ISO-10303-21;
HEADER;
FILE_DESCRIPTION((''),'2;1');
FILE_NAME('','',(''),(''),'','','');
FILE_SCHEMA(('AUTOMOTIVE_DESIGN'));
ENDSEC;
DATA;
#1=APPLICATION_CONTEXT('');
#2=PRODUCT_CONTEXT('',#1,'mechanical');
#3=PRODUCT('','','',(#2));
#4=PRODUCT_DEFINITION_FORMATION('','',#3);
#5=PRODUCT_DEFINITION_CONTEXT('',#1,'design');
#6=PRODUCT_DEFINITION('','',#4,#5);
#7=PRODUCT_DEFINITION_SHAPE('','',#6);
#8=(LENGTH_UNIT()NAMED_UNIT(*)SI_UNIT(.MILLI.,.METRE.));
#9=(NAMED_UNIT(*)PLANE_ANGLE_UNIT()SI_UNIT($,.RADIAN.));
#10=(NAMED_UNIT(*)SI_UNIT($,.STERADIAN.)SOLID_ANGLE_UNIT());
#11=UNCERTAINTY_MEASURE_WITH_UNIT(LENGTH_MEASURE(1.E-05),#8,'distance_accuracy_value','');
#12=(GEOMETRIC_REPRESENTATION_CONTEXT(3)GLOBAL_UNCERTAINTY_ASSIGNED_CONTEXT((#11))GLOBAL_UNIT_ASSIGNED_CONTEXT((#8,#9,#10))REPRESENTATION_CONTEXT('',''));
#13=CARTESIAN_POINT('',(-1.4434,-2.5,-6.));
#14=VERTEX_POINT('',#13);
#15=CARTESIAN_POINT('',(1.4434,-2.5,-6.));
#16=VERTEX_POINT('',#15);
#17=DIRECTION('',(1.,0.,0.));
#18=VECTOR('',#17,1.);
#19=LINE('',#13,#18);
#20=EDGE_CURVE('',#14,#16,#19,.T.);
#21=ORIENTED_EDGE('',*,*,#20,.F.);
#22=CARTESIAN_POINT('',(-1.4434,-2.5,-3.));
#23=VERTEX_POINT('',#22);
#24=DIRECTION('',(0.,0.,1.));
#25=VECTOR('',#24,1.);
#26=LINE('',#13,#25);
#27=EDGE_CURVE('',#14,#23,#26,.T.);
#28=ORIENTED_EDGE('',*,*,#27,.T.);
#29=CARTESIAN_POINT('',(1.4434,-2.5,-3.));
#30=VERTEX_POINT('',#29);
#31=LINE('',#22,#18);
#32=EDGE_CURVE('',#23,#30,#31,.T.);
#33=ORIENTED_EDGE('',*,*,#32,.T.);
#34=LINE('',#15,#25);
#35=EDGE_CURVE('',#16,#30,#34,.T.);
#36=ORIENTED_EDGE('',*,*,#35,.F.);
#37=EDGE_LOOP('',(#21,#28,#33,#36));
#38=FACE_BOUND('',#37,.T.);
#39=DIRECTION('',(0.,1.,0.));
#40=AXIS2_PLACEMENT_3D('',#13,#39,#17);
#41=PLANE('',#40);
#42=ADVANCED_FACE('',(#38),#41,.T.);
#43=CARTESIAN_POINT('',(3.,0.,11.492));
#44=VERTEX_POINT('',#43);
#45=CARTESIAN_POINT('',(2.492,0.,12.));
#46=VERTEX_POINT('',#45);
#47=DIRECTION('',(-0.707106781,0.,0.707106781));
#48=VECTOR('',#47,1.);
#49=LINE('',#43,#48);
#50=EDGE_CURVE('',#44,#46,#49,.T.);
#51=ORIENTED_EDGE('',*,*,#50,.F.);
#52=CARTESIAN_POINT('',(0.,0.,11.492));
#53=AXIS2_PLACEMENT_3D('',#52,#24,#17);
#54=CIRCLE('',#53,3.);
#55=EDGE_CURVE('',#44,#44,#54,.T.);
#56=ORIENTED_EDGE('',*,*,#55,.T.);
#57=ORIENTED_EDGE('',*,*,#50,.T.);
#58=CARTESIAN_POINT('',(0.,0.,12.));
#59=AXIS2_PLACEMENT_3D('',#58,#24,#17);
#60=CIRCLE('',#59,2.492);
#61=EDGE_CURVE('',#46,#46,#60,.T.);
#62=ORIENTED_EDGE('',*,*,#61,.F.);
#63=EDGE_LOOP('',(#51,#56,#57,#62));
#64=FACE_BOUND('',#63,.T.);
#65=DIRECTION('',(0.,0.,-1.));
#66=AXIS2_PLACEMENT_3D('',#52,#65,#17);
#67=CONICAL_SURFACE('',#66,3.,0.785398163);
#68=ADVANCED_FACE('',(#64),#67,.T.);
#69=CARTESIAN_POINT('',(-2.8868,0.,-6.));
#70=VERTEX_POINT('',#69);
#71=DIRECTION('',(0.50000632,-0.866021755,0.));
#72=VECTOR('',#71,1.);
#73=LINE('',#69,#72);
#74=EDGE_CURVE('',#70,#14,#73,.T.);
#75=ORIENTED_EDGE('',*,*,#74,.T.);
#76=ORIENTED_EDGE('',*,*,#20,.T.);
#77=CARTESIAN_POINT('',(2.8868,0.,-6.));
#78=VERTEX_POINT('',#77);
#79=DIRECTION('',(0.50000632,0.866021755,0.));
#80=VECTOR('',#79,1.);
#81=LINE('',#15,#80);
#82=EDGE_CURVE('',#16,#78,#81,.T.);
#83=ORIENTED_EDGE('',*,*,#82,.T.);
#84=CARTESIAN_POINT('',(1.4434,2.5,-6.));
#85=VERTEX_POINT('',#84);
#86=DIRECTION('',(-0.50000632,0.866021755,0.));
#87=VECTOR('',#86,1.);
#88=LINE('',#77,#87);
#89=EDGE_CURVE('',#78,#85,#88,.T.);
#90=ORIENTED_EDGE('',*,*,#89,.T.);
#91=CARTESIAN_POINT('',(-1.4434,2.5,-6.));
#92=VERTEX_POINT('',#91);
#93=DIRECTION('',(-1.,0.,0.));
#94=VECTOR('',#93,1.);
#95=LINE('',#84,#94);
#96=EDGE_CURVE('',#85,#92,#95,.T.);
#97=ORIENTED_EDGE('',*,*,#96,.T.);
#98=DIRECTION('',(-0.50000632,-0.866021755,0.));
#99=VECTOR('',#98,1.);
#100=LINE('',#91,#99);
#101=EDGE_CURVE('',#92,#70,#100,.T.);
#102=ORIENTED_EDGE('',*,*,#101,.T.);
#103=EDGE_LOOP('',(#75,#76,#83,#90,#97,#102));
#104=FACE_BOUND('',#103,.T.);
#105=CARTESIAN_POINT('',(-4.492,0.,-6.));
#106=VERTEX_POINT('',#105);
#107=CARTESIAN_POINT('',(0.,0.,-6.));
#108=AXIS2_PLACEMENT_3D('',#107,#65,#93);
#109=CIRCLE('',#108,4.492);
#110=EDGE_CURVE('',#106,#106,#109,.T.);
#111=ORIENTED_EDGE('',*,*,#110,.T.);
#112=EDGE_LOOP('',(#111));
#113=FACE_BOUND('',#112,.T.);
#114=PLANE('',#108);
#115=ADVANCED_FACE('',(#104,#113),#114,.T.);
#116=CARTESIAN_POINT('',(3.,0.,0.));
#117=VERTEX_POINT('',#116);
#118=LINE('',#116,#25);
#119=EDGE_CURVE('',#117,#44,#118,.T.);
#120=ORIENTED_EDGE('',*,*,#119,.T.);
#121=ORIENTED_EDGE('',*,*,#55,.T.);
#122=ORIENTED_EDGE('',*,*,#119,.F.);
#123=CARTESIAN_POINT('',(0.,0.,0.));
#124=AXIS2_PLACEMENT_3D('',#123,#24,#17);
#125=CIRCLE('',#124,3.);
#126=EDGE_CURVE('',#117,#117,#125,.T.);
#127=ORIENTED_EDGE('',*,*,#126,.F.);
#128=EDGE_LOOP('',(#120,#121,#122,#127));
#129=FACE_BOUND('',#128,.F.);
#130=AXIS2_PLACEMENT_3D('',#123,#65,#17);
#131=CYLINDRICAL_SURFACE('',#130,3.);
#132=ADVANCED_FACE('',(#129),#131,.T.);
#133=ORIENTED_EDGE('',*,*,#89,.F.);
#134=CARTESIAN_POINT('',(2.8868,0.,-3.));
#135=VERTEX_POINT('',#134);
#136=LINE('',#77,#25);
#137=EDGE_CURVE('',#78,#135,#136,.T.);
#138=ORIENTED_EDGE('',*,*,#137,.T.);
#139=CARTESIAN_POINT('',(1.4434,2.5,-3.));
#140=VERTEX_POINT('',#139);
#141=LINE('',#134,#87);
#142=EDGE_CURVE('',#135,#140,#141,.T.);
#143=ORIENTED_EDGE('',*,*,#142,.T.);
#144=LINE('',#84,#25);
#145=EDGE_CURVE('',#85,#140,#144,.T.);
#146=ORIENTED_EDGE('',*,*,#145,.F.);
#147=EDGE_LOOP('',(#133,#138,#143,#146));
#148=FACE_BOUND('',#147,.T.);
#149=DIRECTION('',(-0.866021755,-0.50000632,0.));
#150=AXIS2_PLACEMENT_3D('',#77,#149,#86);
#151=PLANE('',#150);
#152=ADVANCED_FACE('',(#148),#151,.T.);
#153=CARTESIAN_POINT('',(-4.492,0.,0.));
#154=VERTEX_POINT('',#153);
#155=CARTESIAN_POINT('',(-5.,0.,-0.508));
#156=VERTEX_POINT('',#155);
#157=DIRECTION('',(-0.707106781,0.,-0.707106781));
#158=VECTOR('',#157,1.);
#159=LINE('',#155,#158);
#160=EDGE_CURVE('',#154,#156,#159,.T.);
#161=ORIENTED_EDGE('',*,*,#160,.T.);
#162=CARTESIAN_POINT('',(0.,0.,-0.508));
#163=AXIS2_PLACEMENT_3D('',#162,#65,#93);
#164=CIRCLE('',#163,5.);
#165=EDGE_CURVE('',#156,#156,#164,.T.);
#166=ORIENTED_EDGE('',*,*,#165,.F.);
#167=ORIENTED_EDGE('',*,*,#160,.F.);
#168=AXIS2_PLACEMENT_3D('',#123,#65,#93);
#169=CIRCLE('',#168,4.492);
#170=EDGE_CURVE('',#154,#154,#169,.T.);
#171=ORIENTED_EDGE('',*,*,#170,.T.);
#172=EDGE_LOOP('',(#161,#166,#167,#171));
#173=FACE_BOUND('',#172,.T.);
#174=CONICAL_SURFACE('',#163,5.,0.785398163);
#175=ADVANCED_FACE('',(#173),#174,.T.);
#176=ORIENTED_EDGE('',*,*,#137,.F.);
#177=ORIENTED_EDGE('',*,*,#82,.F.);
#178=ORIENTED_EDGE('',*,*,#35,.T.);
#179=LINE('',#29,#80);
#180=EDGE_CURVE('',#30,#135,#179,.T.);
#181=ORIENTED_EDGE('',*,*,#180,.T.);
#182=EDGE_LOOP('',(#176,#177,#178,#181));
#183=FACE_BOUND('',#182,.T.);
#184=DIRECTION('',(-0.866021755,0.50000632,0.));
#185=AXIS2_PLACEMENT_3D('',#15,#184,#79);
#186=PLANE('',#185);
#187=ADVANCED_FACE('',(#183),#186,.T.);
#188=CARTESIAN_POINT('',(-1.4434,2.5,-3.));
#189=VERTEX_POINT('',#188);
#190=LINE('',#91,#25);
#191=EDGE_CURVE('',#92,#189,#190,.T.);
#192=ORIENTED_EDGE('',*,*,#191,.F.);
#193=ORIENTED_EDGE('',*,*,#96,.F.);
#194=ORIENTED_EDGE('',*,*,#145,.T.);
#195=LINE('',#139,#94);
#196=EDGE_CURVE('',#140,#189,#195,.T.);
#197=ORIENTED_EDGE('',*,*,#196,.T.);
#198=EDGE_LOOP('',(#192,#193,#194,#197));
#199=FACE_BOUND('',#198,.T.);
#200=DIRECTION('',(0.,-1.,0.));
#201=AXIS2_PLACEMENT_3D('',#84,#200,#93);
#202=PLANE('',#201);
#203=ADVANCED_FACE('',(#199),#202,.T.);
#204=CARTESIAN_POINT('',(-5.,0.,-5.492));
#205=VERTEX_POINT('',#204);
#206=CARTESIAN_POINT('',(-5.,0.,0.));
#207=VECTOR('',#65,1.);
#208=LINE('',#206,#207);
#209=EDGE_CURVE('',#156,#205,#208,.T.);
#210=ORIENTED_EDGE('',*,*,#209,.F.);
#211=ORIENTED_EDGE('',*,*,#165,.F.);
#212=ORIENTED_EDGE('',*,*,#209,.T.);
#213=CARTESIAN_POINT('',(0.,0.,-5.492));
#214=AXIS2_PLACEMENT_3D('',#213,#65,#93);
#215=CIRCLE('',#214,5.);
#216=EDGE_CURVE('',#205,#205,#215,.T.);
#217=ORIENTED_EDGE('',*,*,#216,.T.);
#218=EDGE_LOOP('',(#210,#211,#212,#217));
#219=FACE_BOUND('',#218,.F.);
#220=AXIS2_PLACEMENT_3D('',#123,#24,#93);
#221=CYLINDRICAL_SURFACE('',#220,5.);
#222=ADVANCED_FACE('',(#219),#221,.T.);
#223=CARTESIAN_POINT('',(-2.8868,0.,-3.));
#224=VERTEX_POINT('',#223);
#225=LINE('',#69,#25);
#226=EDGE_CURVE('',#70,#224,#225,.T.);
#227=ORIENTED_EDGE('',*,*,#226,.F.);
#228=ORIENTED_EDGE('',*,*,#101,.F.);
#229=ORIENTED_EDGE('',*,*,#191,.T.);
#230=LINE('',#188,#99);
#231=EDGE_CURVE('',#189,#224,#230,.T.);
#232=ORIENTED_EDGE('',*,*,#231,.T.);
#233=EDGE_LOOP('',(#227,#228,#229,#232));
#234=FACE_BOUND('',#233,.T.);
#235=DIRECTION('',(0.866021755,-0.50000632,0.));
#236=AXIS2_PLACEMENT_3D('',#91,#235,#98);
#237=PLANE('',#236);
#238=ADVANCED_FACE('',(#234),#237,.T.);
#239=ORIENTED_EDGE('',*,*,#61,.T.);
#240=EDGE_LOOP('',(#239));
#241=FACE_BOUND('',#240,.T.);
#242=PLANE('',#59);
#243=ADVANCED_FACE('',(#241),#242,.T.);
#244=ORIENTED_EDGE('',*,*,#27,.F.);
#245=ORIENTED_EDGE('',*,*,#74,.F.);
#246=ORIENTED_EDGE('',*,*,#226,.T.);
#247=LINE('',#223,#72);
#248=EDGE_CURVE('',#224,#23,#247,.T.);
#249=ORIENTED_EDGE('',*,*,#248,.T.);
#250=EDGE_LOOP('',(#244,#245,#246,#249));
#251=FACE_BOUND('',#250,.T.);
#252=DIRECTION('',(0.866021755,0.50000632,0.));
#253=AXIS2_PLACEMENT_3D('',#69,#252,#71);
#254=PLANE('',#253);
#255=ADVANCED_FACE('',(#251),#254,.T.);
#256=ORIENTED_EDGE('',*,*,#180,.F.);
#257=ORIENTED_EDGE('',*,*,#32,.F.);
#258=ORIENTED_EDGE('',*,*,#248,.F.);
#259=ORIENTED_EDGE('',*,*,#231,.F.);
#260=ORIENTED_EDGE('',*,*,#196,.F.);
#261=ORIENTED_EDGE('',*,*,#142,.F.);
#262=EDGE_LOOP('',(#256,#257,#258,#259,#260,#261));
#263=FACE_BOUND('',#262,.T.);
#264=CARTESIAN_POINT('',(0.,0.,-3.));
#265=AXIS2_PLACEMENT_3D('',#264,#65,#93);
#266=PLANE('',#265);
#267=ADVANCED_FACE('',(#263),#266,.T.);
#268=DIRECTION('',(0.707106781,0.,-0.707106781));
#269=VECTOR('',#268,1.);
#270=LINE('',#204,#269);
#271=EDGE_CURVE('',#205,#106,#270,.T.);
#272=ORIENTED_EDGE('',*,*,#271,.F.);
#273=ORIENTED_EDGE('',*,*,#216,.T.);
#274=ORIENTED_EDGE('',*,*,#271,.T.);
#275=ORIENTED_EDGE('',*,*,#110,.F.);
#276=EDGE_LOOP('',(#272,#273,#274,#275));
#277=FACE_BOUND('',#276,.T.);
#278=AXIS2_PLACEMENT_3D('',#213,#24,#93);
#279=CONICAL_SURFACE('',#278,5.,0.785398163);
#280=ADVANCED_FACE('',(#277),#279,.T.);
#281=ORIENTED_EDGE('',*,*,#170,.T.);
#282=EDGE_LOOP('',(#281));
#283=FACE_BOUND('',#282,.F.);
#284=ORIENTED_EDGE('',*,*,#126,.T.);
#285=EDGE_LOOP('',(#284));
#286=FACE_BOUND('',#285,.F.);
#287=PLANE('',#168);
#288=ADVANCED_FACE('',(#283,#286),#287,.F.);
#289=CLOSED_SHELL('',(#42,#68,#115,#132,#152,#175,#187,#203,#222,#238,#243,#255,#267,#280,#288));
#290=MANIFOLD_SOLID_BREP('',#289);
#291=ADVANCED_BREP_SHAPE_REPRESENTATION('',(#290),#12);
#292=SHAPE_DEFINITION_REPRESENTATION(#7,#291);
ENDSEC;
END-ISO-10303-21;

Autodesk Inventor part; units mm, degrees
ref_plane "YZ Plane" through (0, 0, 0) normal (1, 0, 0) x (0, 1, 0)
ref_plane "XZ Plane" through (0, 0, 0) normal (0, 1, 0) x (-1, 0, 0)
ref_plane "XY Plane" through (0, 0, 0) normal (0, 0, 1) x (1, 0, 0)
sketch "Sketch1" plane through (0, 0, 0) normal (0, 0, 1) x (1, 0, 0)
  circle A0 centre (0, 0) radius 3
  dimension "d0" = 6
extrude "Extrusion1" add sketch "Sketch1" along normal blind 12
sketch "Sketch2" plane through (0, 0, 0) normal (0, 0, -1) x (-1, 0, 0)
  circle A0 centre (0, 0) radius 3 projected
  circle A1 centre (0, 0) radius 5
  dimension "d3" = 10
extrude "Extrusion2" add sketch "Sketch2" along normal blind 6 contours A0 | A1
sketch "Sketch3" plane through (0, 0, -6) normal (0, 0, -1) x (-1, 0, 0)
  circle A0 centre (0, 0) radius 5 projected
  line L0 (-1.4434, 2.5) -> (1.4434, 2.5)
  line L1 (1.4434, 2.5) -> (2.8868, 0)
  line L2 (2.8868, 0) -> (1.4434, -2.5)
  line L3 (1.4434, -2.5) -> (-1.4434, -2.5)
  line L4 (-1.4434, -2.5) -> (-2.8868, 0)
  line L5 (-2.8868, 0) -> (-1.4434, 2.5)
  dimension "d6" = 5
extrude "Extrusion3" cut sketch "Sketch3" against normal blind 3 contours L0 L1 L2 L3 L4 L5
thread "Thread1" size "M6x1" class "6g" standard "ANSI Metric M Profile" full length
chamfer "Chamfer1" distance 0.508 angle 45 3 edges at (5, 0, -6) (5, 0, 0) (-3, 0, 12)
properties part number "M6 x 12mm" material "Steel"
